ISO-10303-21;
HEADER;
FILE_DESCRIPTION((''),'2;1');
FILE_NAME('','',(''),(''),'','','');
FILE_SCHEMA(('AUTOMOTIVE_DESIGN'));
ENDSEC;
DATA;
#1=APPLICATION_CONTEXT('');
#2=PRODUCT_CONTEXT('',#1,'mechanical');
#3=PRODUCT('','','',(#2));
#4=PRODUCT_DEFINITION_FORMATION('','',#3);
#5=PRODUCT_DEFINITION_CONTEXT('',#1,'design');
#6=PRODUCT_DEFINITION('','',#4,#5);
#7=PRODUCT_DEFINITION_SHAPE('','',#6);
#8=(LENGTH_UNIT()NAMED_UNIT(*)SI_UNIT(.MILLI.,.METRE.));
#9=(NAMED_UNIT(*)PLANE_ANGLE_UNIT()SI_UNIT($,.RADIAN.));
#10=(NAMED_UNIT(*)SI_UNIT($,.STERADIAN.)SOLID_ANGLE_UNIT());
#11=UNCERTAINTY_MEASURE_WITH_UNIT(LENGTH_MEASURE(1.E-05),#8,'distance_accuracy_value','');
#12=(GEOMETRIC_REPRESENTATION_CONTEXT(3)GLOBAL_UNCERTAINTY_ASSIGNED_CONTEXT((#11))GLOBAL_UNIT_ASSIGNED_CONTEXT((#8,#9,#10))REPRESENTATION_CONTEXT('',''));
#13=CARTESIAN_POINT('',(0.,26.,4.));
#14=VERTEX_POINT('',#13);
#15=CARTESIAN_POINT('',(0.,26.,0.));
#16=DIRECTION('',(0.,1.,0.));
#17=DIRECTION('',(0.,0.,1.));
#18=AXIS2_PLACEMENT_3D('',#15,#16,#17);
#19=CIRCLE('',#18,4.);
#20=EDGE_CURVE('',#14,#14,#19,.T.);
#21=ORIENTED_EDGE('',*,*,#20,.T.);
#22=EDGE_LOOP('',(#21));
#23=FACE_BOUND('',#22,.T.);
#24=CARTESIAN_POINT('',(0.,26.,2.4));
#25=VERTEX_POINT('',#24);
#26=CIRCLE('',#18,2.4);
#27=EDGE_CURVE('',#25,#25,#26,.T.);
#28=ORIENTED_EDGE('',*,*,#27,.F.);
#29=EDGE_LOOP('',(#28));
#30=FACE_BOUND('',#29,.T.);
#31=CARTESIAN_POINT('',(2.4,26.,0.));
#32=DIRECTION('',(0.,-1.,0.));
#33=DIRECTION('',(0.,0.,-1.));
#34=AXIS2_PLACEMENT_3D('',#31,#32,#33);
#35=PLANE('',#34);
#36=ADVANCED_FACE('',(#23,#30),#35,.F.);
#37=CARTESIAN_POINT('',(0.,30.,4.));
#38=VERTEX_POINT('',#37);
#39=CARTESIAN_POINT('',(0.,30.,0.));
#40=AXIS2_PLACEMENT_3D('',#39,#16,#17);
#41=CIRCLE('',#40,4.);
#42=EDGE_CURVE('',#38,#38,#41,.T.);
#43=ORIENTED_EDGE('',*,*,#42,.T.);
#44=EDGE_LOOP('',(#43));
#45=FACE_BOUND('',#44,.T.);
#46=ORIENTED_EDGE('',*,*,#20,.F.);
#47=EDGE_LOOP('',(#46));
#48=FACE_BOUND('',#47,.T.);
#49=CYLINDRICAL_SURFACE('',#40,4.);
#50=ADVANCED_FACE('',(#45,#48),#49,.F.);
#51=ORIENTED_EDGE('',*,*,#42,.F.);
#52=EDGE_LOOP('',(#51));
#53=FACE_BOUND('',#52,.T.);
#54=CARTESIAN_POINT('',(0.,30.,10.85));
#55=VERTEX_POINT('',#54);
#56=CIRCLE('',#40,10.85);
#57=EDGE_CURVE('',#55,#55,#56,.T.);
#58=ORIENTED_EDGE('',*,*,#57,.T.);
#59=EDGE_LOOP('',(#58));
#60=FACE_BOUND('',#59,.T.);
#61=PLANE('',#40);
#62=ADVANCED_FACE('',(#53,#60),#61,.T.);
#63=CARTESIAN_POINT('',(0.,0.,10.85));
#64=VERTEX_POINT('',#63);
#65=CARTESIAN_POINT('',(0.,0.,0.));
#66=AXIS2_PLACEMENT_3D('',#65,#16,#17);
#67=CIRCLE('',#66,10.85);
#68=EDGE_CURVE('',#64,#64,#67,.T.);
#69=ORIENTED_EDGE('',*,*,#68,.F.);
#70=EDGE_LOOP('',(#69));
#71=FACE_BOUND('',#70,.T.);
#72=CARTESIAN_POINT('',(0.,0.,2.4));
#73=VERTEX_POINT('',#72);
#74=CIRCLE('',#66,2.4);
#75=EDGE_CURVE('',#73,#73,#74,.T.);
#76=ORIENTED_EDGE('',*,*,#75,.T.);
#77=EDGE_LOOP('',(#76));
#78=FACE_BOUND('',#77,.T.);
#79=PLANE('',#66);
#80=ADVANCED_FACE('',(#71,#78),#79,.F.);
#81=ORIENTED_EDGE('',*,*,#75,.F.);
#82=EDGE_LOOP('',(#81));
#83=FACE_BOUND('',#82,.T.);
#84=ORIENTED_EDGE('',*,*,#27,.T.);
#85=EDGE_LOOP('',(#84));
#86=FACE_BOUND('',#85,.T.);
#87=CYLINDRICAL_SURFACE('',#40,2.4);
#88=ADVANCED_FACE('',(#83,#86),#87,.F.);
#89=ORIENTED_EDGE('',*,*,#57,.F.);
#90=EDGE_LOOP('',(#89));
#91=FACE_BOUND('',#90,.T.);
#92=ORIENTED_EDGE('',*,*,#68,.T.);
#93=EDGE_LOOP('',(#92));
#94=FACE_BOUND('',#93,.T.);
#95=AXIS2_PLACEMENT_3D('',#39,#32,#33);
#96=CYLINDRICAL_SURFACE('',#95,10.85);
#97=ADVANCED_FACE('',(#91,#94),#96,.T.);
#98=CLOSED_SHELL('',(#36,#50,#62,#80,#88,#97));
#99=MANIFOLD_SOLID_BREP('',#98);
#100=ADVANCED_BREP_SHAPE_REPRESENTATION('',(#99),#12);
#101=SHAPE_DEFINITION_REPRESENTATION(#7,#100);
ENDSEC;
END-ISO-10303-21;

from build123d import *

# Parameters (mm, degrees)
SKETCH1_R                      = 10.85
BOSS_EXTRUDE1_DEPTH            = 30
CBORE_FOR_M4_SHCS1_D           = 4.8
CBORE_FOR_M4_SHCS1_CBORE_D     = 8
CBORE_FOR_M4_SHCS1_CBORE_DEPTH = 4


with BuildPart() as part:
    # Sketch1 → Boss-Extrude1 (new body)
    with BuildSketch(Plane(origin=(0, 0, 0), x_dir=(1, 0, 0), z_dir=(0, 1, 0))):
        with Locations(Location((0, 0, 0), (0, 0, 270))):
            Circle(SKETCH1_R)
    extrude(amount=BOSS_EXTRUDE1_DEPTH)

    # CBORE for M4 SHCS1 (through all)
    with Locations(Plane(origin=(0, 30, 0), x_dir=(1, 0, 0), z_dir=(0, 1, 0))):
        with Locations((0, 0)):
            CounterBoreHole(CBORE_FOR_M4_SHCS1_D / 2, CBORE_FOR_M4_SHCS1_CBORE_D / 2, CBORE_FOR_M4_SHCS1_CBORE_DEPTH)


solid = part.part
